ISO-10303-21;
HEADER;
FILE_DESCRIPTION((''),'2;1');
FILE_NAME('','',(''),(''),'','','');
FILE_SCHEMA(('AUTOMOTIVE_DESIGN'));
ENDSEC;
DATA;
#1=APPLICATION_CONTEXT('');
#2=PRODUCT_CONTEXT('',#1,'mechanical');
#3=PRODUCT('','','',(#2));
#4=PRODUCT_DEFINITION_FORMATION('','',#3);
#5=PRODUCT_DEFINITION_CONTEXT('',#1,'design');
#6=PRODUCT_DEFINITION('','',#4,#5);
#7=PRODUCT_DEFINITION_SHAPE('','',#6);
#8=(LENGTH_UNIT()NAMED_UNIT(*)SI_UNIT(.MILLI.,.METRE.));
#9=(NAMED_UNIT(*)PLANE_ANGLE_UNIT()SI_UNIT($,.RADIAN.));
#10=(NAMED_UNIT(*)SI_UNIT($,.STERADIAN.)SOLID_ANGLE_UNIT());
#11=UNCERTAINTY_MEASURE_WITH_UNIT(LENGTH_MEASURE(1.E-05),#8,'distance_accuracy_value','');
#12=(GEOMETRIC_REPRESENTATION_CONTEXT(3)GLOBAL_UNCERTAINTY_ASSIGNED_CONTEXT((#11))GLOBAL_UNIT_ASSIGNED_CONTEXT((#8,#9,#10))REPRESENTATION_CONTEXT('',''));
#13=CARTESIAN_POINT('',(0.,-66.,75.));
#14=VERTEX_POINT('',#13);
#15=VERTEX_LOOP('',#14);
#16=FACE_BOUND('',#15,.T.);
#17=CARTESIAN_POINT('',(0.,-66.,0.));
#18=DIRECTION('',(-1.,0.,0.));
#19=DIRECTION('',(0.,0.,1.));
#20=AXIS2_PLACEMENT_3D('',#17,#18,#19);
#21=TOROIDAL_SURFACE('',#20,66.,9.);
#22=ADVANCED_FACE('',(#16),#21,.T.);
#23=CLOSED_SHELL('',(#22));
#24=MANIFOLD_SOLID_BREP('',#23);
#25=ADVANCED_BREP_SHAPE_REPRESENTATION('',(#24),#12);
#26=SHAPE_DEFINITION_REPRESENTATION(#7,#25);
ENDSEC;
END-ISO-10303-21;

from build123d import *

# Parameters (mm, degrees)
SKETCH_1_R = 9


with BuildPart() as part:
    # Эскиз1 → Повернуть1 (revolve)
    with BuildSketch(Plane.XY, mode=Mode.PRIVATE) as revolve_1_sk:
        Circle(SKETCH_1_R)
    revolve(revolve_1_sk.sketch.rotate(Axis((-17.804302576, -66, 0), (1, 0, 0)), 90), axis=Axis((-17.804302576, -66, 0), (1, 0, 0)))


solid = part.part
